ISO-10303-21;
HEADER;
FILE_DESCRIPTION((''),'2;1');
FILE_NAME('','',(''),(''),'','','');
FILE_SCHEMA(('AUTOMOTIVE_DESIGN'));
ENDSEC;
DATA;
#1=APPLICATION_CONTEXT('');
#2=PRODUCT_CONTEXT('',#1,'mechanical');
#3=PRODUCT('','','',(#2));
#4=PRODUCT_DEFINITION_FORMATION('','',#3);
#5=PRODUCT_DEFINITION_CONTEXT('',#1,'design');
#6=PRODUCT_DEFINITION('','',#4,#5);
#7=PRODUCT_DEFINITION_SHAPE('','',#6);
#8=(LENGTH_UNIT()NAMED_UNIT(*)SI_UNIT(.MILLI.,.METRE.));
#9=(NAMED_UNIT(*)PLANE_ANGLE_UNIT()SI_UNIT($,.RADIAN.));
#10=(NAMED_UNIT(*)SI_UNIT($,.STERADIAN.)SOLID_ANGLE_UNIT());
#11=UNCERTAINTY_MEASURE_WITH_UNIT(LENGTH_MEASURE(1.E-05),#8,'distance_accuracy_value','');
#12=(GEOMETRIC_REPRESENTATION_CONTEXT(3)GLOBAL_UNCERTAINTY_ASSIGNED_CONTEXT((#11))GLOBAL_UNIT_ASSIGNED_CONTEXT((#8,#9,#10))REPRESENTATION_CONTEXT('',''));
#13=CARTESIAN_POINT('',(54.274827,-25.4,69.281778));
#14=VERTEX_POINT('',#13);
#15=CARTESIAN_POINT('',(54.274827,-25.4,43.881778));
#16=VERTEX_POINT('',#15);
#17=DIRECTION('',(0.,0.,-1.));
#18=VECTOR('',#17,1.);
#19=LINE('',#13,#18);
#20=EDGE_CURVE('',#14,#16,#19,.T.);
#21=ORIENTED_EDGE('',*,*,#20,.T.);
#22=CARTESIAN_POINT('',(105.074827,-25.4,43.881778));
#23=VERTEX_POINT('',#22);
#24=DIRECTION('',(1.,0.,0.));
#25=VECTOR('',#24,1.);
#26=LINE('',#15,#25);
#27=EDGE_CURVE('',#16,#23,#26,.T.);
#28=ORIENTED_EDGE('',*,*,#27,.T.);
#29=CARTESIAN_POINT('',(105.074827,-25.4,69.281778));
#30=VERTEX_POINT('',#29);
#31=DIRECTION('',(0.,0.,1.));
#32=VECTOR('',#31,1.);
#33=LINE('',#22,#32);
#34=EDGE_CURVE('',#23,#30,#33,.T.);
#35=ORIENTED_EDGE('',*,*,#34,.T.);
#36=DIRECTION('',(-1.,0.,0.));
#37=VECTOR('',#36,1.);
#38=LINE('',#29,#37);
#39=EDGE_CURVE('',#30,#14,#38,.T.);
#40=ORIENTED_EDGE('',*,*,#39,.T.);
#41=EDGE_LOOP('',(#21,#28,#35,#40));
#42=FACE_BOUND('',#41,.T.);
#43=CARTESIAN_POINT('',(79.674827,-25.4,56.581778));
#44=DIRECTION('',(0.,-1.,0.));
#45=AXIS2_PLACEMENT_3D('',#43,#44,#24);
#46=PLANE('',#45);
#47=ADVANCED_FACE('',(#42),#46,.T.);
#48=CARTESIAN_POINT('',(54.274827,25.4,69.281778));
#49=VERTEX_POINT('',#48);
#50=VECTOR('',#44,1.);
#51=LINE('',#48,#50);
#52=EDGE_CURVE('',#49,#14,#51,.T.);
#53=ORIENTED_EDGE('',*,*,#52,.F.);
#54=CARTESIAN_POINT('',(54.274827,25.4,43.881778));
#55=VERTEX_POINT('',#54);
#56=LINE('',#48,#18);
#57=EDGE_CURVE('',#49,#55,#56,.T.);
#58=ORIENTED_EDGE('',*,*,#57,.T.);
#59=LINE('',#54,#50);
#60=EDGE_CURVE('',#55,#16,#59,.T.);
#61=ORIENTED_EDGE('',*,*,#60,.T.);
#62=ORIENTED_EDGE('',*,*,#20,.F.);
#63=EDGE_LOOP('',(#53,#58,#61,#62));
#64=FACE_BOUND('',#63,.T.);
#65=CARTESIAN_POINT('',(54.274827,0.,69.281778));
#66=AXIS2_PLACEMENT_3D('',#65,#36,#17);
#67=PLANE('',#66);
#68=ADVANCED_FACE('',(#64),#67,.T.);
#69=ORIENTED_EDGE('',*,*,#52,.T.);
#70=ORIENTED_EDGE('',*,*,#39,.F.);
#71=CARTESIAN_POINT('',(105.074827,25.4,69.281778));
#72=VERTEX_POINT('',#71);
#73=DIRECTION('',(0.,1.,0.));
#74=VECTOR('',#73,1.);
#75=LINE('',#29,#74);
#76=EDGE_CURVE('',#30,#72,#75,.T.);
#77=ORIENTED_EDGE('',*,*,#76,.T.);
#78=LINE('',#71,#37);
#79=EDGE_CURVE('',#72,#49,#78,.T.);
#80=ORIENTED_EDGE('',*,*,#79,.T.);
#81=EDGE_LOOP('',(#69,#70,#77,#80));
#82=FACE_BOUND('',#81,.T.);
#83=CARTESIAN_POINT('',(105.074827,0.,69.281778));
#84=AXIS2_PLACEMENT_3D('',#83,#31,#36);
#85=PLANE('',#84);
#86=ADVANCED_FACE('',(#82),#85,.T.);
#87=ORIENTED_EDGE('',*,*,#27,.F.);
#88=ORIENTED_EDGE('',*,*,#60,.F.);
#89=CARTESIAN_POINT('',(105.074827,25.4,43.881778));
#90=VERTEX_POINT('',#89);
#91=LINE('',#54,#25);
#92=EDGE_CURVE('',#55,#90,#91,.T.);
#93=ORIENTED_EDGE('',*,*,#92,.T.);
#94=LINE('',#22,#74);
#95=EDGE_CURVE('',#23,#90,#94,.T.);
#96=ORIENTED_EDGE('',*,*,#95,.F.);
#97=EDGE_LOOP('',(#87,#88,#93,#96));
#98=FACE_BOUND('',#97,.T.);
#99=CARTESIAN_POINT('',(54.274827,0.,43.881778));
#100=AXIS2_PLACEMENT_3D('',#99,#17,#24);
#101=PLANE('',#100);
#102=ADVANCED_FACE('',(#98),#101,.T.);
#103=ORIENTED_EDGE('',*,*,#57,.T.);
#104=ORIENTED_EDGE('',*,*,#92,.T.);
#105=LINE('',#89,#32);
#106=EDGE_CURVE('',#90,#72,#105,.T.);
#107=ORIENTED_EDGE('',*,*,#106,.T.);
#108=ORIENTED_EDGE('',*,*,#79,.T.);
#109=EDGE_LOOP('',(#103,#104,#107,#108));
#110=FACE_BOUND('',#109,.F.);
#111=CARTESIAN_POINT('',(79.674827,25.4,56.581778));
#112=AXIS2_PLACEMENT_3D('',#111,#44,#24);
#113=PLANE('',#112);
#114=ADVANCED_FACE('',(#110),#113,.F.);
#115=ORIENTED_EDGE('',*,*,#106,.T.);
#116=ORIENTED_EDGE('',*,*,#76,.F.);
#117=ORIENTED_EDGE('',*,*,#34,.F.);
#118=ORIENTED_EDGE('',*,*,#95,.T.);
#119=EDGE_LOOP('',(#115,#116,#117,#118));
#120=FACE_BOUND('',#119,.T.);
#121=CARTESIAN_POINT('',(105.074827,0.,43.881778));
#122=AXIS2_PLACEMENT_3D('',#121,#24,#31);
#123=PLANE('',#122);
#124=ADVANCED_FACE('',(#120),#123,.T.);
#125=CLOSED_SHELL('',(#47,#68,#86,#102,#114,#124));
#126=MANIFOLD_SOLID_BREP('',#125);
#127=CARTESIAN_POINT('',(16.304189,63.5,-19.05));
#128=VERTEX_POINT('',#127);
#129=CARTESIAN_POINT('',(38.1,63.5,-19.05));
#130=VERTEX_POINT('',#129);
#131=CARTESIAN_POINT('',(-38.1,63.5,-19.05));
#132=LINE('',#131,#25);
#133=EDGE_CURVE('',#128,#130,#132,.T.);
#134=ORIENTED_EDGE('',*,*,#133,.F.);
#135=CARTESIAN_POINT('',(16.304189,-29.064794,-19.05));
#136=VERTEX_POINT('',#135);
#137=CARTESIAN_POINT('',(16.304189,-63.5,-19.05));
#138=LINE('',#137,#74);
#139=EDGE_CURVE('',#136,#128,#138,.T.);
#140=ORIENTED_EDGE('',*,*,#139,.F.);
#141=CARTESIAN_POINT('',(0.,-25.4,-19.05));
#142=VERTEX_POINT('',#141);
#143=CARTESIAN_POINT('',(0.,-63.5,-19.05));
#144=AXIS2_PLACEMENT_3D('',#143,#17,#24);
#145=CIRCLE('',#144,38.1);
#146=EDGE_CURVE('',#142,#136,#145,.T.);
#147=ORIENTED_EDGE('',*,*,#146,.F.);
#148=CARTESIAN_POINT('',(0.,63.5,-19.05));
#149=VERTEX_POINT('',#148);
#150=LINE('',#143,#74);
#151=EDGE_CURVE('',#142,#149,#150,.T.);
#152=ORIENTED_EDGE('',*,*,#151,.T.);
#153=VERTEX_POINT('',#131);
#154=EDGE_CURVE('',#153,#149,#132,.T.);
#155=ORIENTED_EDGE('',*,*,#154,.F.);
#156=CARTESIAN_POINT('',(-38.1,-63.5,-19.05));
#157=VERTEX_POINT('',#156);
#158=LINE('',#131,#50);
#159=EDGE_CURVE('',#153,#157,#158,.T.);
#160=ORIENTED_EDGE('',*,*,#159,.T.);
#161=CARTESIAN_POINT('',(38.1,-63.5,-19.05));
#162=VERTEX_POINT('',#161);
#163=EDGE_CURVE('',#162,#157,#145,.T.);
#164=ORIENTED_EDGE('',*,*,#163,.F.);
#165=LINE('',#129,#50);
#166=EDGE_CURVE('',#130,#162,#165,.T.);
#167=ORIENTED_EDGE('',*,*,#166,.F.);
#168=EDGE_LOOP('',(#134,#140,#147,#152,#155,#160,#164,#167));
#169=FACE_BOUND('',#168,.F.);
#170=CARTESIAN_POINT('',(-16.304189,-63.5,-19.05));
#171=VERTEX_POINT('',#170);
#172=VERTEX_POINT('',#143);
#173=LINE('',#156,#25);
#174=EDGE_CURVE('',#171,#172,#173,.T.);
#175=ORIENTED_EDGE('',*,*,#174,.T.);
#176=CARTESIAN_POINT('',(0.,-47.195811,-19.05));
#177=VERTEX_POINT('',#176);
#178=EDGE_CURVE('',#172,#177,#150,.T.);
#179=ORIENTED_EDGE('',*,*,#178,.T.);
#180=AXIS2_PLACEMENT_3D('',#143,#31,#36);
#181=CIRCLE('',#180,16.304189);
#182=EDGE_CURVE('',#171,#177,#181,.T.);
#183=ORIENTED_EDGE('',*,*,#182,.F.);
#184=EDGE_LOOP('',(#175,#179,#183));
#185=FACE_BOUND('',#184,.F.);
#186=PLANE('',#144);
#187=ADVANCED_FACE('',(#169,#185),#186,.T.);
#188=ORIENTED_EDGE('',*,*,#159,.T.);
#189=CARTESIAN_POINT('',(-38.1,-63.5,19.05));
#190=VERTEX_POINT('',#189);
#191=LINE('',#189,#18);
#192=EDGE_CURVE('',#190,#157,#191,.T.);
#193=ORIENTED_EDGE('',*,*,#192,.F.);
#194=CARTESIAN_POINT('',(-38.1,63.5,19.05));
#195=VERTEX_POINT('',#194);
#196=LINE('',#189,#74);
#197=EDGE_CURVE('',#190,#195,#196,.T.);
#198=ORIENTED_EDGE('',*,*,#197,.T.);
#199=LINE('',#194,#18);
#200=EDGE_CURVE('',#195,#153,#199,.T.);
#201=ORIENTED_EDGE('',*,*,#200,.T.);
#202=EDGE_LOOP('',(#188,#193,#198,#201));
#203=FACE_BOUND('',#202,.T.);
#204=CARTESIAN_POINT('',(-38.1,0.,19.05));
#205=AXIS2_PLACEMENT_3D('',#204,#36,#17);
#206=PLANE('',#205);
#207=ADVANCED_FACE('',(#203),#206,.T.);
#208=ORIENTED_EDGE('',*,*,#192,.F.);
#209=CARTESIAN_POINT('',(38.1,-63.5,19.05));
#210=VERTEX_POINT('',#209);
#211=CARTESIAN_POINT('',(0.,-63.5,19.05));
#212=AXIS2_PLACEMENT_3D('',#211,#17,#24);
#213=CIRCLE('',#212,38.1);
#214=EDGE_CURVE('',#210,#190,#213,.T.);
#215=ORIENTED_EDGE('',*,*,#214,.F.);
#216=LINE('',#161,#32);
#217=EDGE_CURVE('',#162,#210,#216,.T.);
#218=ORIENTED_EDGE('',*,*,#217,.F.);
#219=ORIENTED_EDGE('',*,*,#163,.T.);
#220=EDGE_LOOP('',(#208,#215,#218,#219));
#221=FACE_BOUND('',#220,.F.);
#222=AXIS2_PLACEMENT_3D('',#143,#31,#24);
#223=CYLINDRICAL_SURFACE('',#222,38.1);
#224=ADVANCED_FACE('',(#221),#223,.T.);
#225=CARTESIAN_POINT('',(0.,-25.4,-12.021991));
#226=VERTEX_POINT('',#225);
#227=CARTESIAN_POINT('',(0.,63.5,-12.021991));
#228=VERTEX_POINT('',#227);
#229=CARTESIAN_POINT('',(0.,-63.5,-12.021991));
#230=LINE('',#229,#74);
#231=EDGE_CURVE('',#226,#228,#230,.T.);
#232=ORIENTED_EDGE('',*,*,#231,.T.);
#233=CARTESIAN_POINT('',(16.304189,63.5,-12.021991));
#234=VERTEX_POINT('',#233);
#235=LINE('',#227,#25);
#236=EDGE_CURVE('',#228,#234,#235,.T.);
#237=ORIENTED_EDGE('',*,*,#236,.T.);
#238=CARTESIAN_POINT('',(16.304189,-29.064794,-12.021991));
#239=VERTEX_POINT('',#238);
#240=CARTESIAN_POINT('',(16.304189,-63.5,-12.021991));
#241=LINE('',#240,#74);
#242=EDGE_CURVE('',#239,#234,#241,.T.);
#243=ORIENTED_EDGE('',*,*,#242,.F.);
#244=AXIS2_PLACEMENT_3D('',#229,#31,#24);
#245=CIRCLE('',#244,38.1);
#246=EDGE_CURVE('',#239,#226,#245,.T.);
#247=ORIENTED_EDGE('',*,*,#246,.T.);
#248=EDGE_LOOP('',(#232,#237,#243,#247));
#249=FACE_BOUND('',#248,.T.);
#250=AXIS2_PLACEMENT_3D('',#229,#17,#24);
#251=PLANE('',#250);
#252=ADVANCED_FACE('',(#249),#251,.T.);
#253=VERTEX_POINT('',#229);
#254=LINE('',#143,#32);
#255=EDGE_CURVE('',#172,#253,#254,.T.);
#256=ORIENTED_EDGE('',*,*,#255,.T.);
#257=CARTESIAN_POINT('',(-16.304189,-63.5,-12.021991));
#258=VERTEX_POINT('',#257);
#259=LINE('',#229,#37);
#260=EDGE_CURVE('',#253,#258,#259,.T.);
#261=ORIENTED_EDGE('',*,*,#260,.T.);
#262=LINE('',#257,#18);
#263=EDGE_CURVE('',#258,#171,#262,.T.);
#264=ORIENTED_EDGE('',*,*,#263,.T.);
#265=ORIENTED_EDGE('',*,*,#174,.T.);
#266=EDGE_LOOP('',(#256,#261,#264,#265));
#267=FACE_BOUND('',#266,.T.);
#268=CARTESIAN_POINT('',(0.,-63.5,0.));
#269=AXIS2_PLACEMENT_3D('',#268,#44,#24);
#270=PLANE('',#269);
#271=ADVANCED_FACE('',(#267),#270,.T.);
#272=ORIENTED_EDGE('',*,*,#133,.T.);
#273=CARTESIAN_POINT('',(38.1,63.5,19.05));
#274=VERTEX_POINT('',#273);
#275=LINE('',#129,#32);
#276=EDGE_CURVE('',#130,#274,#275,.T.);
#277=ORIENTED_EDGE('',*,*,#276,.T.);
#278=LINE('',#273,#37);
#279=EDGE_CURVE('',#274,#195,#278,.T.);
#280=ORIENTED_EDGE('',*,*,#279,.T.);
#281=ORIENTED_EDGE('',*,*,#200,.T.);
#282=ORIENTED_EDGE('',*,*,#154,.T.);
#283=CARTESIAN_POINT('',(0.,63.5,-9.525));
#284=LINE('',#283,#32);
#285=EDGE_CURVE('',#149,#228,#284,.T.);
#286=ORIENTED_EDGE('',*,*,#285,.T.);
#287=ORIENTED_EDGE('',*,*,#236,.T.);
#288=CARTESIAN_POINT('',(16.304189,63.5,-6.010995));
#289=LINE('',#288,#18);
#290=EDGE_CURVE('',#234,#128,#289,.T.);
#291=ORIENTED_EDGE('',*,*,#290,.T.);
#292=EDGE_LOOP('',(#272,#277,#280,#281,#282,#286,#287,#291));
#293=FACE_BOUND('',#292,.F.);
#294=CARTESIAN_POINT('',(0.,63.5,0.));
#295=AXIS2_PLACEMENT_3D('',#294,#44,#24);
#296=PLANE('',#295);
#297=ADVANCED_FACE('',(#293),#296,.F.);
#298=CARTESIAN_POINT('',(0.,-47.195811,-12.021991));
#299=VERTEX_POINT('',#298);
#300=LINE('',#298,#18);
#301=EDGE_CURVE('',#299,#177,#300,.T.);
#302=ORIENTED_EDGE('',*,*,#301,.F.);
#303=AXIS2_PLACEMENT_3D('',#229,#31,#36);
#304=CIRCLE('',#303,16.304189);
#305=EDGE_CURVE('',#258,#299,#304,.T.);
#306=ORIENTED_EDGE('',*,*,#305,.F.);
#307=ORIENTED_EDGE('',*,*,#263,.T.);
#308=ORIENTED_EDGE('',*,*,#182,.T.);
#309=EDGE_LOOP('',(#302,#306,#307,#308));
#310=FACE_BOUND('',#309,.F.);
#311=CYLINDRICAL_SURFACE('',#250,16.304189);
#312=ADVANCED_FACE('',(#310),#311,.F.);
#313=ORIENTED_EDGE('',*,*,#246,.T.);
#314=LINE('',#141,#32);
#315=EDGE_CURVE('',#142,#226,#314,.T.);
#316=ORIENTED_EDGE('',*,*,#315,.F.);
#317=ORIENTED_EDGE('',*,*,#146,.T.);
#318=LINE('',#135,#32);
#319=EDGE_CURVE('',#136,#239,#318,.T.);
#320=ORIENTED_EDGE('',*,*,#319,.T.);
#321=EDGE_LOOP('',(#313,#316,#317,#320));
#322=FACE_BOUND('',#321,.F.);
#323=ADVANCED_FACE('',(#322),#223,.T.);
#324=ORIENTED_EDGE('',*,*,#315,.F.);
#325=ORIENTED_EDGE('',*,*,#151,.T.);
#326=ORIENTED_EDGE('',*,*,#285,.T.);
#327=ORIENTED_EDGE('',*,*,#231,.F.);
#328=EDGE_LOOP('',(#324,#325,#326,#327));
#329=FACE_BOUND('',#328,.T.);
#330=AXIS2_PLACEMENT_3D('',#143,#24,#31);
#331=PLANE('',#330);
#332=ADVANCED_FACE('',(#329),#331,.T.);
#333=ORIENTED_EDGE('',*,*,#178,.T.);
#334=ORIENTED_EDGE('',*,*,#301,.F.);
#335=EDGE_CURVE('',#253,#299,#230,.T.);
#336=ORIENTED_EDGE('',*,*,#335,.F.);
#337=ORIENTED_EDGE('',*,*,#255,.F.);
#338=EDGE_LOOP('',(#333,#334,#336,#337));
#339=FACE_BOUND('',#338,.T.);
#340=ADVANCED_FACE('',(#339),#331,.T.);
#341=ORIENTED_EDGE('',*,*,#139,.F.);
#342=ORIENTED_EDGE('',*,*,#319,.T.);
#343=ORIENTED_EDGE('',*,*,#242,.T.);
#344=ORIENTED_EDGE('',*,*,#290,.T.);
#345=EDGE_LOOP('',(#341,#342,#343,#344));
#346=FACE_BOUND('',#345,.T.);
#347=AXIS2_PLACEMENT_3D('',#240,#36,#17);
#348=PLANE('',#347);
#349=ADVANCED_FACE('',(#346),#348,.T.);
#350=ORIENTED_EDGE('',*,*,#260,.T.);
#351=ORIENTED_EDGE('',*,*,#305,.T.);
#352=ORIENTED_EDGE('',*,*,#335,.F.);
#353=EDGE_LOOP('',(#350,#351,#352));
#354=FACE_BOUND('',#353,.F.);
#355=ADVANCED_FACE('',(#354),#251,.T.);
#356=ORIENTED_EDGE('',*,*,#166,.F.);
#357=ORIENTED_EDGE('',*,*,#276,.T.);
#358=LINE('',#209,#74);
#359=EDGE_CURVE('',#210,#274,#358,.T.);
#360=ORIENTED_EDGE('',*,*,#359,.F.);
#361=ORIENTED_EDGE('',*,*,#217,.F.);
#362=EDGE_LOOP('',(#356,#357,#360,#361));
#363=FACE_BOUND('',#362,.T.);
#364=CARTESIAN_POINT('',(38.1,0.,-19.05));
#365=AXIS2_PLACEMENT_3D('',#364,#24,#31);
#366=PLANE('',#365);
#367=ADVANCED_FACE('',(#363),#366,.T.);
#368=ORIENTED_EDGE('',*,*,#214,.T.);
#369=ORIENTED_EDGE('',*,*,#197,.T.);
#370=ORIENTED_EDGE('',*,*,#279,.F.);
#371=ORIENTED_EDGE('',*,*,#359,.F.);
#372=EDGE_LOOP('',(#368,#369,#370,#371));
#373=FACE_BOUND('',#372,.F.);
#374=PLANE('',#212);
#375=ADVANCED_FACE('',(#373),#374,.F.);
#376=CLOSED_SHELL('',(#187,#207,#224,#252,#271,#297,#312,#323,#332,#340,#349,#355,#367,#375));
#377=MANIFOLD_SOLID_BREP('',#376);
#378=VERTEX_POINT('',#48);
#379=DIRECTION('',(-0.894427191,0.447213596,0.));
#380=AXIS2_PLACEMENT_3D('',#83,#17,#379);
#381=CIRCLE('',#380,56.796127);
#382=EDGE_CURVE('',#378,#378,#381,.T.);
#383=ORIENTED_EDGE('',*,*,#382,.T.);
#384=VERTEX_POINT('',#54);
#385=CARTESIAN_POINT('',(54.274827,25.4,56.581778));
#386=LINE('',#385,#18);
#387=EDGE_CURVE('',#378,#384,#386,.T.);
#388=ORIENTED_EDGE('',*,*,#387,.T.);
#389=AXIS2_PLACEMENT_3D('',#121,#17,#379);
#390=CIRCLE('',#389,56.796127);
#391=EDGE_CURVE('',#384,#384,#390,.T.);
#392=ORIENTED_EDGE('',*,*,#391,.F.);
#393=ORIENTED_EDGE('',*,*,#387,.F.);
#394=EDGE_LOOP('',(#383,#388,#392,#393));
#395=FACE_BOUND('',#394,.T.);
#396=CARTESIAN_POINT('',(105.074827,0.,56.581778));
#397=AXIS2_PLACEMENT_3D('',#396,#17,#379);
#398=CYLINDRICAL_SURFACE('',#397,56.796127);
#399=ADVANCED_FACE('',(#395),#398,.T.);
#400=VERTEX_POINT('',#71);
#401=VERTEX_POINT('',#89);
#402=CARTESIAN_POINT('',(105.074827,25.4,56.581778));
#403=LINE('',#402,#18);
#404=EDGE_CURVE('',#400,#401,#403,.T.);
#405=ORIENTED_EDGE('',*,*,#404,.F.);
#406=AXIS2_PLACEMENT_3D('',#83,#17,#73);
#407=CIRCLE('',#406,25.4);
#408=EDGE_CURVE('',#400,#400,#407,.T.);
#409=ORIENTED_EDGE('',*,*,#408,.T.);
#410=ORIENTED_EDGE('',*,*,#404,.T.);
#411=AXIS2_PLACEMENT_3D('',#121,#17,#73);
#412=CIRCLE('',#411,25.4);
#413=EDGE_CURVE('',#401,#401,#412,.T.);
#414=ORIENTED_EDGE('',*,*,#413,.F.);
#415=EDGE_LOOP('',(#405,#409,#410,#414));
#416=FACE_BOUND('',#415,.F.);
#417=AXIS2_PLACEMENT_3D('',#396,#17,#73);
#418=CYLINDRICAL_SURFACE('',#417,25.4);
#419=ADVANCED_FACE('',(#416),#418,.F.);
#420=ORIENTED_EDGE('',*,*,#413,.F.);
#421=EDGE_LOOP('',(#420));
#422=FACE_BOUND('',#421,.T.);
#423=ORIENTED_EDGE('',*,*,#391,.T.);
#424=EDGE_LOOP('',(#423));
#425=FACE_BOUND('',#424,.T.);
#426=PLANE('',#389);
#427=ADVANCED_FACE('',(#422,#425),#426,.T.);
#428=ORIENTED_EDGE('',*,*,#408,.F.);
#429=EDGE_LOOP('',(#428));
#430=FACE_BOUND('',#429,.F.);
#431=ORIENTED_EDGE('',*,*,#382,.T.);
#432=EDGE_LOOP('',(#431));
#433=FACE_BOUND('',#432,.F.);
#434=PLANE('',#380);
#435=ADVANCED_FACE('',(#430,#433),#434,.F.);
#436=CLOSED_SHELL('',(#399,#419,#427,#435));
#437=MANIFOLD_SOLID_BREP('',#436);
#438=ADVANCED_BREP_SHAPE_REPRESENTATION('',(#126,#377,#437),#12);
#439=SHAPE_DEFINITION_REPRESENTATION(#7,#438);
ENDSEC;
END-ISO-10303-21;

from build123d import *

# Parameters (mm, degrees)
F1_DEPTH  = 63.5
F2_DEPTH  = 25.4
F3_DEPTH  = 12.7
F4_DEPTH  = 25.4
F4_FACE_W = 50.8
F4_FACE_H = 25.4
F7_DEPTH  = 127.001


with BuildPart() as f1:
    # F0 (on Front) → F1 (new body, symmetric)
    with BuildSketch(Plane.XZ):
        Polygon((-38.1, 19.05), (-38.1, -19.05), (38.1, -19.05), (38.1, 19.05), (28.702, 19.05), align=None)
    extrude(amount=F1_DEPTH, both=True)

    # F0 (on Front) → F2 (join, symmetric)
    with BuildSketch(Plane.XZ):
        with BuildLine():
            Line((28.702, 19.05), (38.1, 19.05))
            Line((38.1, 19.05), (38.1, 33.581085))
            ThreePointArc((38.1, 33.581085), (41.818768, 42.558985), (50.796668, 46.277752))
            Line((50.796668, 46.277752), (54.274827, 46.277752))
            Line((54.274827, 46.277752), (54.274827, 55.675753))
            Line((54.274827, 55.675753), (50.796668, 55.675753))
            ThreePointArc((50.796668, 55.675753), (35.173378, 49.204374), (28.702, 33.581085))
            Line((28.702, 33.581085), (28.702, 19.05))
        make_face()
    extrude(amount=F2_DEPTH, both=True)

    # F0 (on Front) → F3 (join, symmetric)
    with BuildSketch(Plane.XZ):
        with BuildLine():
            add(Edge.make_bspline(
                [(54.274827, 69.281778), (42.014824, 65.808109), (14.071827, 56.114373), (-25.040564, 50.807887), (-36.648956, 24.378304), (-38.1, 19.05)],
                knots=[0, 0, 0, 0, 39.835231, 87.963707, 110.08523, 110.08523, 110.08523, 110.08523], degree=3))
            Line((-38.1, 19.05), (28.702, 19.05))
            Line((28.702, 19.05), (28.702, 33.581085))
            ThreePointArc((28.702, 33.581085), (35.173378, 49.204374), (50.796668, 55.675753))
            Line((50.796668, 55.675753), (54.274827, 55.675753))
            Line((54.274827, 55.675753), (54.274827, 69.281778))
        make_face()
    extrude(amount=F3_DEPTH, both=True)

    # F6 (on face) → F7 (intersect, through all)
    with BuildSketch(Plane.XZ.offset(63.5)):
        Polygon((-38.1, -19.05), (0, -19.05), (0, -12.021991), (16.304189, -12.021991), (16.304189, -19.05), (38.1, -19.05), (38.1, 19.05), (-38.1, 19.05), align=None)
    extrude(amount=-F7_DEPTH, mode=Mode.INTERSECT)

    # F9 (on face) → F10 (revolve)
    with BuildSketch(Plane.XZ.offset(63.5)):
        Polygon((38.1, 19.05), (0, 19.05), (0, -12.021991), (16.304189, -12.021991), (16.304189, -19.05), (38.1, -19.05), align=None)
    revolve(axis=Axis((0, -63.5, 3.514004), (0, 0, -1)))


with BuildPart() as f4:
    # F0 (on Front) → F4 (new body, symmetric)
    with BuildSketch(Plane.XZ):
        Polygon((105.074827, 69.281778), (54.274827, 69.281778), (54.274827, 55.675753), (54.274827, 46.277752), (54.274827, 43.881778), (105.074827, 43.881778), align=None)
    extrude(amount=F4_DEPTH, both=True)


with BuildPart() as f5:
    # F4_face (on face) → F5 (revolve)
    with BuildSketch(Plane(origin=(79.674827, 25.4, 56.581778), x_dir=(1, 0, 0), z_dir=(0, 1, 0))):
        Rectangle(F4_FACE_W, F4_FACE_H)
    revolve(axis=Axis((105.074827, 0, 56.581778), (0, 0, -1)))


solid = Compound([f1.part, f4.part, f5.part])
